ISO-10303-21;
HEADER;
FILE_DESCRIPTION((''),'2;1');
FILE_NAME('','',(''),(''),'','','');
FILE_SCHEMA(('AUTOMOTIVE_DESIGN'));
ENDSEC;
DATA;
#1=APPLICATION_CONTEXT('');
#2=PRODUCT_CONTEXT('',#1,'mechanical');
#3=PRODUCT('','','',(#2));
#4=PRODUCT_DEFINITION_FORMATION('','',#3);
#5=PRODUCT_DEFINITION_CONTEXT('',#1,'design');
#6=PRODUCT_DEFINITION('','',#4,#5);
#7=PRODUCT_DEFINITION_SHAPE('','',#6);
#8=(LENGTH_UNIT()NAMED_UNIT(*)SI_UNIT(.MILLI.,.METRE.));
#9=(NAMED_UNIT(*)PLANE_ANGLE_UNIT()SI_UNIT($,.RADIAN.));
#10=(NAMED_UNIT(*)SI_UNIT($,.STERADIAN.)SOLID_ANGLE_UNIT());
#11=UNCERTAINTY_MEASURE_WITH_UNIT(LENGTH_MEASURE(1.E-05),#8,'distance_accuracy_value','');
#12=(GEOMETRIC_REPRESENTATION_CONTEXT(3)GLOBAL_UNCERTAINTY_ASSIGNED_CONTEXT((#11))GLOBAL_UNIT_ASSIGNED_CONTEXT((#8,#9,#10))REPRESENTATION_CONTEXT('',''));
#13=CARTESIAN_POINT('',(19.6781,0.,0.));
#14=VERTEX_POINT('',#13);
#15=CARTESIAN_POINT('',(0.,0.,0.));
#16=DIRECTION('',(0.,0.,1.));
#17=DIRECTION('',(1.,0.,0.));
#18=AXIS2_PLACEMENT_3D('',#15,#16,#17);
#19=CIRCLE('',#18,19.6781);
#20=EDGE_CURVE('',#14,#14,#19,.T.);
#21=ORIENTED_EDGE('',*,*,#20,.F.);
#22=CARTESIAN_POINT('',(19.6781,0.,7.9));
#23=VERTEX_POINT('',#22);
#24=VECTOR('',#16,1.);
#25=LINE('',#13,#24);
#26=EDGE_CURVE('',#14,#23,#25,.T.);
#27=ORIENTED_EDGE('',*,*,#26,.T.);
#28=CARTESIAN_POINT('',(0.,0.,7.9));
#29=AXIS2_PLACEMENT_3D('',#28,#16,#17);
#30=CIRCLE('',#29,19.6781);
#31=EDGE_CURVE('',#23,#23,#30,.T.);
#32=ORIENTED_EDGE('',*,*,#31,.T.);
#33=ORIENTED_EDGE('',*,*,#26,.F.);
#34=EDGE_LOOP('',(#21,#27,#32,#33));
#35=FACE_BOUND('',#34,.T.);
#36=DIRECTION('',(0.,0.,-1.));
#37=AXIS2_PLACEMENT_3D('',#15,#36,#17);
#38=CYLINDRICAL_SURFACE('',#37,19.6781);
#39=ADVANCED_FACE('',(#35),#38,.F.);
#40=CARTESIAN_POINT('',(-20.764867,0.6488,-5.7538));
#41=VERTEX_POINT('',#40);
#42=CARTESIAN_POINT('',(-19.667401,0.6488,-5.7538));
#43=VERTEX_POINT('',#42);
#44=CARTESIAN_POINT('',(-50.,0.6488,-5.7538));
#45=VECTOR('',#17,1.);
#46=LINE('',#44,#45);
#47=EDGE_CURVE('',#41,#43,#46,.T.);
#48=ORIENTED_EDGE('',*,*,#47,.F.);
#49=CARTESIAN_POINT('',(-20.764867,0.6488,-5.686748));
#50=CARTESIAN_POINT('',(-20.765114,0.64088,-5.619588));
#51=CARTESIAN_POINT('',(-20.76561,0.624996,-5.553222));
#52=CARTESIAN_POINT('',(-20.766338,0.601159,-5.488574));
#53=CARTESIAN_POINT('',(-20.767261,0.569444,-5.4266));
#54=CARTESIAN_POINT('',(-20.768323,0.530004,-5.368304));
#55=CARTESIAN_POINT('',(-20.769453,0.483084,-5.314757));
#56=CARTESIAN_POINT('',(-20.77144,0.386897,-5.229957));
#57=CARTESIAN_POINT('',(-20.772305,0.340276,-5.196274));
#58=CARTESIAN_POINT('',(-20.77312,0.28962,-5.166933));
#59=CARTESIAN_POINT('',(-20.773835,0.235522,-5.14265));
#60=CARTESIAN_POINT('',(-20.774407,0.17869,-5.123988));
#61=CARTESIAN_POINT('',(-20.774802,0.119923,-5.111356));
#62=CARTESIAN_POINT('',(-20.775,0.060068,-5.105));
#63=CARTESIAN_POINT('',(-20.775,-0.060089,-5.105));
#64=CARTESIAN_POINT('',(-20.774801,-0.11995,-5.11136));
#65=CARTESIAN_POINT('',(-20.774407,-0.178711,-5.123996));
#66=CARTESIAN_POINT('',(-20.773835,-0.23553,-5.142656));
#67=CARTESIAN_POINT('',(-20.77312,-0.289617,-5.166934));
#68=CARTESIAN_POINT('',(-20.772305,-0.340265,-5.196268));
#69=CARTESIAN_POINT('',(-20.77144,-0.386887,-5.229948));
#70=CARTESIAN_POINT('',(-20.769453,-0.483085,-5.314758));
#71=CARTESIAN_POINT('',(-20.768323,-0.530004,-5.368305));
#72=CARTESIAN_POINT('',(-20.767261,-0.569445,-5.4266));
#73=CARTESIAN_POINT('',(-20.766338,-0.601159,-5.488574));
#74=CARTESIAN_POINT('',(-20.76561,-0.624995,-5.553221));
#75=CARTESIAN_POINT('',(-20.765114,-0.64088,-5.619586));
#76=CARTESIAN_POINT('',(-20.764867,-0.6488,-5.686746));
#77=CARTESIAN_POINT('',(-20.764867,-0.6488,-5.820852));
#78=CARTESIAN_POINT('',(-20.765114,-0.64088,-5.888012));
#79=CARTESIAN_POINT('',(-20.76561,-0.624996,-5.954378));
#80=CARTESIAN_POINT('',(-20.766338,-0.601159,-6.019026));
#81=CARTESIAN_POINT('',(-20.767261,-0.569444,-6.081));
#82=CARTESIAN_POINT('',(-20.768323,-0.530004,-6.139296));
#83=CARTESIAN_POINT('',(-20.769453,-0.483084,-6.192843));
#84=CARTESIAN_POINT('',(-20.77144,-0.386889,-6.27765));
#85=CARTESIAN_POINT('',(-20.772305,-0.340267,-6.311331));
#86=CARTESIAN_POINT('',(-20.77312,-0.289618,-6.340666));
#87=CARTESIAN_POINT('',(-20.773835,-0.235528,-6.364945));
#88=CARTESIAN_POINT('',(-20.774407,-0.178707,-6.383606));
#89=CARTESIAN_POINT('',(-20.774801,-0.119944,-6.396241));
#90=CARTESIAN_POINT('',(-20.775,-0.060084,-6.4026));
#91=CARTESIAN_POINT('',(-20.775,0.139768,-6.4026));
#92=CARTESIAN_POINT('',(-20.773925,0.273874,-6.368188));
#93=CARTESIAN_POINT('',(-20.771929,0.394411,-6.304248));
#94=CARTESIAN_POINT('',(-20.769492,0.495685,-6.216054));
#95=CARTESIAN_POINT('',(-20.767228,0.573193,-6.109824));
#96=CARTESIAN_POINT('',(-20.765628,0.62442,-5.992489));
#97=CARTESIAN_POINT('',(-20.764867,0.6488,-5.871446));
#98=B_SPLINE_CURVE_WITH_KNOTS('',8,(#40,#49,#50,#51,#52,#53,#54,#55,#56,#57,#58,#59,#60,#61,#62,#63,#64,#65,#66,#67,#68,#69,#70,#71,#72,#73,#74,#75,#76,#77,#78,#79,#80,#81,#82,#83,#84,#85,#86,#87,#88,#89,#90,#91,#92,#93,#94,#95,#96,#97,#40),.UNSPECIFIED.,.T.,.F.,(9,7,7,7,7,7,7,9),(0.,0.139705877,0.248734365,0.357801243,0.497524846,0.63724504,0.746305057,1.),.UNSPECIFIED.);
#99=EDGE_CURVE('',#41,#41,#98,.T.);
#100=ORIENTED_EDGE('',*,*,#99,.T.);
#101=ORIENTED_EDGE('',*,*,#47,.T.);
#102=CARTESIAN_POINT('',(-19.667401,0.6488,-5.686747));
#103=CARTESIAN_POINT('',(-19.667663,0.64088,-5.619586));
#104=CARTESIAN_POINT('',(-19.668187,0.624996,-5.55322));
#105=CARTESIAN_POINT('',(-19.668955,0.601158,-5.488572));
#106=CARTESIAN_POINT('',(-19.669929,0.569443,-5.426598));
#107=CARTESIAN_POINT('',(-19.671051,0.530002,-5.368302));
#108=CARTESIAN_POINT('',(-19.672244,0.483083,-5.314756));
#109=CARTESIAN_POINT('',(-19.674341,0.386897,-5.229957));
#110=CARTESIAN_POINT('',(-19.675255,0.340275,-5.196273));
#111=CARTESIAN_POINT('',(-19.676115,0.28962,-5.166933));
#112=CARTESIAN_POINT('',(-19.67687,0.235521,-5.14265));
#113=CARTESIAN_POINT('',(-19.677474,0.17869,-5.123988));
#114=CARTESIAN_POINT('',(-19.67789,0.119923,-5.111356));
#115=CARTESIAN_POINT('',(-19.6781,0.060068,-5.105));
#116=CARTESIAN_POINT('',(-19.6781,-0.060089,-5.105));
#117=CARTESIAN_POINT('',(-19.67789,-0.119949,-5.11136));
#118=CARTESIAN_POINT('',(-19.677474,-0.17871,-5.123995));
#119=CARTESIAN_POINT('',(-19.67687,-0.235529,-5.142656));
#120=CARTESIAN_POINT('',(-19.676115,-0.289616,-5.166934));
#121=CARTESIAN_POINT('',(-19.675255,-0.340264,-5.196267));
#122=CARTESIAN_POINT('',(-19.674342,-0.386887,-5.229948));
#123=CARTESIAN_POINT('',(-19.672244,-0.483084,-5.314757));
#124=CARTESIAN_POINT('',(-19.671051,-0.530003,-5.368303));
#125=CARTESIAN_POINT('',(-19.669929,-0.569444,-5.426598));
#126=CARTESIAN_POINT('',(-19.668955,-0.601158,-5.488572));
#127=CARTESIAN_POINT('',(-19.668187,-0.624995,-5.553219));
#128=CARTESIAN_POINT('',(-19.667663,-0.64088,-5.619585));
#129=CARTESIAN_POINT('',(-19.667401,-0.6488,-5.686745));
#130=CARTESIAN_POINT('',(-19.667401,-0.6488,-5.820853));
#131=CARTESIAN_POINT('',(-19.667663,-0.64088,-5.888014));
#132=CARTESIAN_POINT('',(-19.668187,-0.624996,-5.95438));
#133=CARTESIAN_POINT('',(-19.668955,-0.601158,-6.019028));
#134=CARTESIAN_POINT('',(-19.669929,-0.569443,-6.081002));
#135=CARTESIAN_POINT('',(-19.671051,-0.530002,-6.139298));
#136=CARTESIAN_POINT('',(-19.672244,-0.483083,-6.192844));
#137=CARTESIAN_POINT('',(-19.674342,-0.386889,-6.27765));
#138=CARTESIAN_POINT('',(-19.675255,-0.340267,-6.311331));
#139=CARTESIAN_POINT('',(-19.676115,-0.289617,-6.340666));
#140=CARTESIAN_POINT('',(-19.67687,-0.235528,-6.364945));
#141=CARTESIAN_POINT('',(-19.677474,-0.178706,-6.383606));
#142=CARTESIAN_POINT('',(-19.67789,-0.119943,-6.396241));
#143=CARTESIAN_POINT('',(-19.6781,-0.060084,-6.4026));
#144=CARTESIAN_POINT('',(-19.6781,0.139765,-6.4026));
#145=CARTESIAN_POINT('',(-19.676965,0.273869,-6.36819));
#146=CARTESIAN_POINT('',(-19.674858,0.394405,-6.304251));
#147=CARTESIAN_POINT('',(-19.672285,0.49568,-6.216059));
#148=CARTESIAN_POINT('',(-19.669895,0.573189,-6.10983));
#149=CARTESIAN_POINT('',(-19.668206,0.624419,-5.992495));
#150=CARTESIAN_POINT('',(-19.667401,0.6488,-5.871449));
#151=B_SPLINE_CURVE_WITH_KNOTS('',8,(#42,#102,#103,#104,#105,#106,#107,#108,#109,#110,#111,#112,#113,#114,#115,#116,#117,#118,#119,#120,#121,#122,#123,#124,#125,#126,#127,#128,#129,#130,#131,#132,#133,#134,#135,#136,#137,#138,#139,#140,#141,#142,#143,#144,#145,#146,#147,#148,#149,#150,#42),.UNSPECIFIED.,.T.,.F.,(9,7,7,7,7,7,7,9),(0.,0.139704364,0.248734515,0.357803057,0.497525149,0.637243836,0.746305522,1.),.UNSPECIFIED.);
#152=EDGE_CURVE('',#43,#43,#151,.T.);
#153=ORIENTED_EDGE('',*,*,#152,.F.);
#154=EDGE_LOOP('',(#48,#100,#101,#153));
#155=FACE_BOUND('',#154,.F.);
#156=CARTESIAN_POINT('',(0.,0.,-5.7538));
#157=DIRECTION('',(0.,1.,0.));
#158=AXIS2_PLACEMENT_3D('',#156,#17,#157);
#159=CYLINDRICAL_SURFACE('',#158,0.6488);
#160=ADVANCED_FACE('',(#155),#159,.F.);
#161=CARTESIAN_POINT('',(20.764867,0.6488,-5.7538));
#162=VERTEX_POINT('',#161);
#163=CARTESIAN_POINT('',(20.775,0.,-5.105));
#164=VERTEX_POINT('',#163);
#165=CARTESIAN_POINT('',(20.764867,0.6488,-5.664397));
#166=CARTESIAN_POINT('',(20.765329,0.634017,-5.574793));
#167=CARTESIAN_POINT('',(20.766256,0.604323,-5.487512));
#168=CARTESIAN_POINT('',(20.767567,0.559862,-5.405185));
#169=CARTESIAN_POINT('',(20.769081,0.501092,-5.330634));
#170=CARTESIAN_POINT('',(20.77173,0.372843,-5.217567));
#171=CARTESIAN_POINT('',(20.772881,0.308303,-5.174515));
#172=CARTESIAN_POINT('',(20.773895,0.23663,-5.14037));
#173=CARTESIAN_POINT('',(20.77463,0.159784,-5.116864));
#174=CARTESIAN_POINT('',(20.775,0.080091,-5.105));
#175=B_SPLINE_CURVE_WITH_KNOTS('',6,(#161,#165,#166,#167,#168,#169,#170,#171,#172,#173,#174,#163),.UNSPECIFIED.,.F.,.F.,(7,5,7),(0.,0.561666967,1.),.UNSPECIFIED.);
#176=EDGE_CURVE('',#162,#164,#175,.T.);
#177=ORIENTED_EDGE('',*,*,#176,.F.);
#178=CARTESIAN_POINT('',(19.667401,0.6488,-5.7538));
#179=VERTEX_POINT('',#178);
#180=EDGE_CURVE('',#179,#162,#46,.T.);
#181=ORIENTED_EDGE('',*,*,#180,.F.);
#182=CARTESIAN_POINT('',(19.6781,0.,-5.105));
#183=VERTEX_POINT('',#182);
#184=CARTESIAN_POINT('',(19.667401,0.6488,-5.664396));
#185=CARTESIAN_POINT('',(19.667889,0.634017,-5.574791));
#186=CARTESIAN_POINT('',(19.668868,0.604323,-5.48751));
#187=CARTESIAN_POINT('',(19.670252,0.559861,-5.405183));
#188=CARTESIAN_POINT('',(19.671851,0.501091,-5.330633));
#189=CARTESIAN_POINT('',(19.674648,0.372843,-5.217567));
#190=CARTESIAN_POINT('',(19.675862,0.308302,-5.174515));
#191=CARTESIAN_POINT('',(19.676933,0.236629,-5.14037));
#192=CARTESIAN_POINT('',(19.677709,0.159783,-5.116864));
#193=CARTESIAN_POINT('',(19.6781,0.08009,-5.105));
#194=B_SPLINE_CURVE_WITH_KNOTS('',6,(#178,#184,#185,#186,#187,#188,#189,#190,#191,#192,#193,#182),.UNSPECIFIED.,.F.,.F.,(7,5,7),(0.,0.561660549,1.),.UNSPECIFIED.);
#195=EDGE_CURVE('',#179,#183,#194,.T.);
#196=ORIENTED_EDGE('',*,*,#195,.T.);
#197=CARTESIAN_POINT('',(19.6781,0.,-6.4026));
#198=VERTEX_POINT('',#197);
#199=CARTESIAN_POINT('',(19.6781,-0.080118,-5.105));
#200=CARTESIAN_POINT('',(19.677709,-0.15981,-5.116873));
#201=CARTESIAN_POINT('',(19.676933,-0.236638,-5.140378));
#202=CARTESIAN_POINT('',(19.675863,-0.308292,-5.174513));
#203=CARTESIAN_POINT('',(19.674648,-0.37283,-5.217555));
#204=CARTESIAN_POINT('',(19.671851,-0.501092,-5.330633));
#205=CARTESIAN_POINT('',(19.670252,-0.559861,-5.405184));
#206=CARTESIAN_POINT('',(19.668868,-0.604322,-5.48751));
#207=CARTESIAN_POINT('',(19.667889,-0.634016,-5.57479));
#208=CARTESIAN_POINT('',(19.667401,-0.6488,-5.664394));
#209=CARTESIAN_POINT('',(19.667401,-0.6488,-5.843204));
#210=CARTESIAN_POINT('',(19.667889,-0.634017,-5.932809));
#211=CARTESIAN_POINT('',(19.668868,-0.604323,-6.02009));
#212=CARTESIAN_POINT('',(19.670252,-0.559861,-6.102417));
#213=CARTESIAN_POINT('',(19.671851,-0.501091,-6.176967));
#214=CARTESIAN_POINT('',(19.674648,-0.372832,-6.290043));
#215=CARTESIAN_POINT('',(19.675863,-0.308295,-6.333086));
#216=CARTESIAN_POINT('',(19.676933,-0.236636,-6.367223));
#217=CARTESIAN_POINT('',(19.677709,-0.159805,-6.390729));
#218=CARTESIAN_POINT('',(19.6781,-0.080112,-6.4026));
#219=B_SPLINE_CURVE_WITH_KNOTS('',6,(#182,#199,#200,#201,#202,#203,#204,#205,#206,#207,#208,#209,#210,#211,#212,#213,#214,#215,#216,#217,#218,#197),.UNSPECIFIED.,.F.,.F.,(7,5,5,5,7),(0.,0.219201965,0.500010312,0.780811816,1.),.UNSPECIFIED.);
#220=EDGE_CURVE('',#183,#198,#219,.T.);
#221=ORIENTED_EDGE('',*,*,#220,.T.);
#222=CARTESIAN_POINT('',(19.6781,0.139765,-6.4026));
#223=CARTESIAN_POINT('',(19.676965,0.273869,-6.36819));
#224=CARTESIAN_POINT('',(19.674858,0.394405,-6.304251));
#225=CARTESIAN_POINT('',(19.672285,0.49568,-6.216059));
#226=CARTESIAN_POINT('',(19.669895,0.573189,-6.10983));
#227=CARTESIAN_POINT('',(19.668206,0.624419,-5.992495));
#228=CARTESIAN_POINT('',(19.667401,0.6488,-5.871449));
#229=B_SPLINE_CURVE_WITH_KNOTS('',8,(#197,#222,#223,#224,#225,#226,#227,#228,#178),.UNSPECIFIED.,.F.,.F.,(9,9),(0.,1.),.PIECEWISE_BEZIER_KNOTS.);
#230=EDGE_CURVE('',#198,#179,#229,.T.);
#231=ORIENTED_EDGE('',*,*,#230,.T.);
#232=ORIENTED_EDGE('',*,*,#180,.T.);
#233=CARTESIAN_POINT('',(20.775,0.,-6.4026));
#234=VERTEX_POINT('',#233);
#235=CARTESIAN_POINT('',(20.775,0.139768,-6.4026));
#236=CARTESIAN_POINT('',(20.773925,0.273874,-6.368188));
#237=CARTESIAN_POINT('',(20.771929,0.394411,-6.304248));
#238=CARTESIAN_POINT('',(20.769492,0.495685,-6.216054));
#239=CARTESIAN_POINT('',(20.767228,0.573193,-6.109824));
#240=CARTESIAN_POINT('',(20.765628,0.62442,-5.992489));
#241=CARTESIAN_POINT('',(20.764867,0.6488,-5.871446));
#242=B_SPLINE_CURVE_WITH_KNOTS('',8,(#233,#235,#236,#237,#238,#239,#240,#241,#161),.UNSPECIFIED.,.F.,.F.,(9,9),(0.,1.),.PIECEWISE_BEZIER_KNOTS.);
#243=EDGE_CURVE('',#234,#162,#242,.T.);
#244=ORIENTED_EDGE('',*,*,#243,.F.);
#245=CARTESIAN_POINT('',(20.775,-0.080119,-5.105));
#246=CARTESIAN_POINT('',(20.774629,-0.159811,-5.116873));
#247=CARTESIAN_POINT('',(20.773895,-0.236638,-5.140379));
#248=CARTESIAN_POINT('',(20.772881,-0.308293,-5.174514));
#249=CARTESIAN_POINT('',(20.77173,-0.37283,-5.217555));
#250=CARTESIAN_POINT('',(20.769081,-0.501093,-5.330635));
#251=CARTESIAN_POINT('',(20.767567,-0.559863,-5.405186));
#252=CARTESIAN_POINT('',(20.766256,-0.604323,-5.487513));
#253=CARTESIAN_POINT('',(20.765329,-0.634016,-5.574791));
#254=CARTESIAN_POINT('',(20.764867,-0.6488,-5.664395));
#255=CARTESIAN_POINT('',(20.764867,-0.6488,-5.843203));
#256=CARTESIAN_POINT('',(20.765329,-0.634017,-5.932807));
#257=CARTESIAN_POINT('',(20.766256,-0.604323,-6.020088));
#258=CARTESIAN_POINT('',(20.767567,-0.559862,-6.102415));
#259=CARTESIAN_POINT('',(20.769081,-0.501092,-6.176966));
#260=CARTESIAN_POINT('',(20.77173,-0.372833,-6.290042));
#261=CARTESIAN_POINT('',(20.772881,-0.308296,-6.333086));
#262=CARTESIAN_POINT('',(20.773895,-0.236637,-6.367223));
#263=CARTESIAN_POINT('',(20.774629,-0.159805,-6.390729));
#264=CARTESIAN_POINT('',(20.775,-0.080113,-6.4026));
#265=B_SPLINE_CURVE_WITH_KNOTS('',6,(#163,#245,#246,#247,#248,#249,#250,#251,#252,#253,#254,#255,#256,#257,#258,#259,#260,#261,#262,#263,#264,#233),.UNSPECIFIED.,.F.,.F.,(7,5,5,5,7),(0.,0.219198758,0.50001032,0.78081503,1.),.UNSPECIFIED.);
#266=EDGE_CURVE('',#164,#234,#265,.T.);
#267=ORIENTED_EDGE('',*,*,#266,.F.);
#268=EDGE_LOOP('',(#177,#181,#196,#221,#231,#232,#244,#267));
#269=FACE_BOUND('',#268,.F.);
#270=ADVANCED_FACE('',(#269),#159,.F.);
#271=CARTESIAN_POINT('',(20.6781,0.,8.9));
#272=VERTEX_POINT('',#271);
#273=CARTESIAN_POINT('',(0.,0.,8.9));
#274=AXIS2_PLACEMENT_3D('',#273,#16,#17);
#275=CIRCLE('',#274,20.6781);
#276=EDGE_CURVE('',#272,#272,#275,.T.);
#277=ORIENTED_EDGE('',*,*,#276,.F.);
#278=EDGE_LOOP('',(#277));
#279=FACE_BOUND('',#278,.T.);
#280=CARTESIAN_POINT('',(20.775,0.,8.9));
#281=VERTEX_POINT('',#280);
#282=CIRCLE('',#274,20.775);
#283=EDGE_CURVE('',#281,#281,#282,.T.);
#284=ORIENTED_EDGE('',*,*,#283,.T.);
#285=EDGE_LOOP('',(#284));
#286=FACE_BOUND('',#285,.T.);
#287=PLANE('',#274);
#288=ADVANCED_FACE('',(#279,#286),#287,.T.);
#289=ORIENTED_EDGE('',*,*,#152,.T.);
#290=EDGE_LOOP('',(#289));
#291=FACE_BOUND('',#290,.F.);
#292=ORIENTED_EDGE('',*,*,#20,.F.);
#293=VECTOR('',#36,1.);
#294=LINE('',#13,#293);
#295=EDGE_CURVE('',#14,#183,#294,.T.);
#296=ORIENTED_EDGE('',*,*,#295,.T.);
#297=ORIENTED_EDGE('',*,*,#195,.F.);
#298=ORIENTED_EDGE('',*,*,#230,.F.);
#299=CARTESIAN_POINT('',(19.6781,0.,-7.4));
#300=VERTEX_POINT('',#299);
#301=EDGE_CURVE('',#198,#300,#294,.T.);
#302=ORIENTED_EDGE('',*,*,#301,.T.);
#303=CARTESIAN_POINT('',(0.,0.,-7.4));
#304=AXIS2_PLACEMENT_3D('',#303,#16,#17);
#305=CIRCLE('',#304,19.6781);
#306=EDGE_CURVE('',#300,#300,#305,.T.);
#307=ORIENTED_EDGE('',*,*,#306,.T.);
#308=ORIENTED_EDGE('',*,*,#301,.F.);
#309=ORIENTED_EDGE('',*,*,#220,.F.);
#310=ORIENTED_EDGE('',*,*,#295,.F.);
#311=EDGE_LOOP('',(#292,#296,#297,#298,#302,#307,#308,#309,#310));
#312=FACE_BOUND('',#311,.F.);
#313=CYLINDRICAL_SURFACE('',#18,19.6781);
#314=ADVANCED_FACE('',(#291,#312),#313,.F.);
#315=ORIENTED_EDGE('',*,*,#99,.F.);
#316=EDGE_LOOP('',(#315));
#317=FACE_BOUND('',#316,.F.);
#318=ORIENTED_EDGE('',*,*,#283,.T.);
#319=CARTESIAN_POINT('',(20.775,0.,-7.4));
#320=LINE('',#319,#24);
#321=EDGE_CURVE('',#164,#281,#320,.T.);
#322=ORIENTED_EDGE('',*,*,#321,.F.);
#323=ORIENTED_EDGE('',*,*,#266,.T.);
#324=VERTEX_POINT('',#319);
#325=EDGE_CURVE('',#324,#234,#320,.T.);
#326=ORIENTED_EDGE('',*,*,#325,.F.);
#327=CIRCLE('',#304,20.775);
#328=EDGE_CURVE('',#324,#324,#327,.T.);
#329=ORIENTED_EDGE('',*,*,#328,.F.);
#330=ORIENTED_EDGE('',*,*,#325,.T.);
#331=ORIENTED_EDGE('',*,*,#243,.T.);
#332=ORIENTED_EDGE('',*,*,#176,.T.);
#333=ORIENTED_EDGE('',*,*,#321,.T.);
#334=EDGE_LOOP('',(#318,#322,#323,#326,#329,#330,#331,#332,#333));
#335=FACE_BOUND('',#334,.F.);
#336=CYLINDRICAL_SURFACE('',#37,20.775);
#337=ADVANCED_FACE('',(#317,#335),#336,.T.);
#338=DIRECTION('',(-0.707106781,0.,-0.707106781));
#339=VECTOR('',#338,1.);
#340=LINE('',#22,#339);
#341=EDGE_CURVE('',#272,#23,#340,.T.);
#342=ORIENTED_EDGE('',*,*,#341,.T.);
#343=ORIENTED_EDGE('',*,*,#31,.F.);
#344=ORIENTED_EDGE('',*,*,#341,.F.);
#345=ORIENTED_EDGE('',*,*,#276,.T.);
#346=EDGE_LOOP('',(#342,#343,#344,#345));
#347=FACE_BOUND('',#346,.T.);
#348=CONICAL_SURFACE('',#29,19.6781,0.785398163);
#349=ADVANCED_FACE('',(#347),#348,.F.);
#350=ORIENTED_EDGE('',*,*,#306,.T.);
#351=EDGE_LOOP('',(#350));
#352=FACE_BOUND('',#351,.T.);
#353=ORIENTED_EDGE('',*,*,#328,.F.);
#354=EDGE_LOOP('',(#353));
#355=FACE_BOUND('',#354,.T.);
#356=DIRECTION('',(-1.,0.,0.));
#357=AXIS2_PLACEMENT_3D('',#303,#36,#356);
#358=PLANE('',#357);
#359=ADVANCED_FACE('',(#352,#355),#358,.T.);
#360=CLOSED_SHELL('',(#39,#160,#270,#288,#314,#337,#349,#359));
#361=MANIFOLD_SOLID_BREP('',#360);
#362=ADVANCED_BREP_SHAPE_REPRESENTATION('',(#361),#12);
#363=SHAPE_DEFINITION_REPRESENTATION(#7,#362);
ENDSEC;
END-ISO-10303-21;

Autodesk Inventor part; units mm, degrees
ref_plane "YZ Plane" through (0, 0, 0) normal (1, 0, 0) x (0, 1, 0)
ref_plane "XZ Plane" through (0, 0, 0) normal (0, 1, 0) x (-1, 0, 0)
ref_plane "XY Plane" through (0, 0, 0) normal (0, 0, 1) x (1, 0, 0)
sketch "Sketch1" plane through (0, 0, 0) normal (0, 0, 1) x (1, 0, 0)
  circle A0 centre (0, 0) radius 20.775
  circle A1 centre (0, 0) radius 19.6781
  dimension "d9" = 1.0969
  dimension "d10" = 41.55
extrude "Extrusion1" add sketch "Sketch1" along normal mid plane 17.8
chamfer "Chamfer1" distance 1 angle 45 1 edges at (-19.6781, 0, 8.9)
sketch "Sketch2" plane through (0, 0, -8.9) normal (0, 0, -1) x (-1, 0, 0)
  circle A0 centre (0, 0) radius 21.8479
extrude "Extrusion2" cut sketch "Sketch2" against normal blind 1.5
sketch "Sketch3" plane through (0, 0, 0) normal (1, 0, 0) x (0, 1, 0)
  circle A0 centre (0, -5.7538) radius 0.6488
  point P0 (0, 0)
extrude "Extrusion3" cut sketch "Sketch3" against normal mid plane 100
properties part number "_3DPrint"
